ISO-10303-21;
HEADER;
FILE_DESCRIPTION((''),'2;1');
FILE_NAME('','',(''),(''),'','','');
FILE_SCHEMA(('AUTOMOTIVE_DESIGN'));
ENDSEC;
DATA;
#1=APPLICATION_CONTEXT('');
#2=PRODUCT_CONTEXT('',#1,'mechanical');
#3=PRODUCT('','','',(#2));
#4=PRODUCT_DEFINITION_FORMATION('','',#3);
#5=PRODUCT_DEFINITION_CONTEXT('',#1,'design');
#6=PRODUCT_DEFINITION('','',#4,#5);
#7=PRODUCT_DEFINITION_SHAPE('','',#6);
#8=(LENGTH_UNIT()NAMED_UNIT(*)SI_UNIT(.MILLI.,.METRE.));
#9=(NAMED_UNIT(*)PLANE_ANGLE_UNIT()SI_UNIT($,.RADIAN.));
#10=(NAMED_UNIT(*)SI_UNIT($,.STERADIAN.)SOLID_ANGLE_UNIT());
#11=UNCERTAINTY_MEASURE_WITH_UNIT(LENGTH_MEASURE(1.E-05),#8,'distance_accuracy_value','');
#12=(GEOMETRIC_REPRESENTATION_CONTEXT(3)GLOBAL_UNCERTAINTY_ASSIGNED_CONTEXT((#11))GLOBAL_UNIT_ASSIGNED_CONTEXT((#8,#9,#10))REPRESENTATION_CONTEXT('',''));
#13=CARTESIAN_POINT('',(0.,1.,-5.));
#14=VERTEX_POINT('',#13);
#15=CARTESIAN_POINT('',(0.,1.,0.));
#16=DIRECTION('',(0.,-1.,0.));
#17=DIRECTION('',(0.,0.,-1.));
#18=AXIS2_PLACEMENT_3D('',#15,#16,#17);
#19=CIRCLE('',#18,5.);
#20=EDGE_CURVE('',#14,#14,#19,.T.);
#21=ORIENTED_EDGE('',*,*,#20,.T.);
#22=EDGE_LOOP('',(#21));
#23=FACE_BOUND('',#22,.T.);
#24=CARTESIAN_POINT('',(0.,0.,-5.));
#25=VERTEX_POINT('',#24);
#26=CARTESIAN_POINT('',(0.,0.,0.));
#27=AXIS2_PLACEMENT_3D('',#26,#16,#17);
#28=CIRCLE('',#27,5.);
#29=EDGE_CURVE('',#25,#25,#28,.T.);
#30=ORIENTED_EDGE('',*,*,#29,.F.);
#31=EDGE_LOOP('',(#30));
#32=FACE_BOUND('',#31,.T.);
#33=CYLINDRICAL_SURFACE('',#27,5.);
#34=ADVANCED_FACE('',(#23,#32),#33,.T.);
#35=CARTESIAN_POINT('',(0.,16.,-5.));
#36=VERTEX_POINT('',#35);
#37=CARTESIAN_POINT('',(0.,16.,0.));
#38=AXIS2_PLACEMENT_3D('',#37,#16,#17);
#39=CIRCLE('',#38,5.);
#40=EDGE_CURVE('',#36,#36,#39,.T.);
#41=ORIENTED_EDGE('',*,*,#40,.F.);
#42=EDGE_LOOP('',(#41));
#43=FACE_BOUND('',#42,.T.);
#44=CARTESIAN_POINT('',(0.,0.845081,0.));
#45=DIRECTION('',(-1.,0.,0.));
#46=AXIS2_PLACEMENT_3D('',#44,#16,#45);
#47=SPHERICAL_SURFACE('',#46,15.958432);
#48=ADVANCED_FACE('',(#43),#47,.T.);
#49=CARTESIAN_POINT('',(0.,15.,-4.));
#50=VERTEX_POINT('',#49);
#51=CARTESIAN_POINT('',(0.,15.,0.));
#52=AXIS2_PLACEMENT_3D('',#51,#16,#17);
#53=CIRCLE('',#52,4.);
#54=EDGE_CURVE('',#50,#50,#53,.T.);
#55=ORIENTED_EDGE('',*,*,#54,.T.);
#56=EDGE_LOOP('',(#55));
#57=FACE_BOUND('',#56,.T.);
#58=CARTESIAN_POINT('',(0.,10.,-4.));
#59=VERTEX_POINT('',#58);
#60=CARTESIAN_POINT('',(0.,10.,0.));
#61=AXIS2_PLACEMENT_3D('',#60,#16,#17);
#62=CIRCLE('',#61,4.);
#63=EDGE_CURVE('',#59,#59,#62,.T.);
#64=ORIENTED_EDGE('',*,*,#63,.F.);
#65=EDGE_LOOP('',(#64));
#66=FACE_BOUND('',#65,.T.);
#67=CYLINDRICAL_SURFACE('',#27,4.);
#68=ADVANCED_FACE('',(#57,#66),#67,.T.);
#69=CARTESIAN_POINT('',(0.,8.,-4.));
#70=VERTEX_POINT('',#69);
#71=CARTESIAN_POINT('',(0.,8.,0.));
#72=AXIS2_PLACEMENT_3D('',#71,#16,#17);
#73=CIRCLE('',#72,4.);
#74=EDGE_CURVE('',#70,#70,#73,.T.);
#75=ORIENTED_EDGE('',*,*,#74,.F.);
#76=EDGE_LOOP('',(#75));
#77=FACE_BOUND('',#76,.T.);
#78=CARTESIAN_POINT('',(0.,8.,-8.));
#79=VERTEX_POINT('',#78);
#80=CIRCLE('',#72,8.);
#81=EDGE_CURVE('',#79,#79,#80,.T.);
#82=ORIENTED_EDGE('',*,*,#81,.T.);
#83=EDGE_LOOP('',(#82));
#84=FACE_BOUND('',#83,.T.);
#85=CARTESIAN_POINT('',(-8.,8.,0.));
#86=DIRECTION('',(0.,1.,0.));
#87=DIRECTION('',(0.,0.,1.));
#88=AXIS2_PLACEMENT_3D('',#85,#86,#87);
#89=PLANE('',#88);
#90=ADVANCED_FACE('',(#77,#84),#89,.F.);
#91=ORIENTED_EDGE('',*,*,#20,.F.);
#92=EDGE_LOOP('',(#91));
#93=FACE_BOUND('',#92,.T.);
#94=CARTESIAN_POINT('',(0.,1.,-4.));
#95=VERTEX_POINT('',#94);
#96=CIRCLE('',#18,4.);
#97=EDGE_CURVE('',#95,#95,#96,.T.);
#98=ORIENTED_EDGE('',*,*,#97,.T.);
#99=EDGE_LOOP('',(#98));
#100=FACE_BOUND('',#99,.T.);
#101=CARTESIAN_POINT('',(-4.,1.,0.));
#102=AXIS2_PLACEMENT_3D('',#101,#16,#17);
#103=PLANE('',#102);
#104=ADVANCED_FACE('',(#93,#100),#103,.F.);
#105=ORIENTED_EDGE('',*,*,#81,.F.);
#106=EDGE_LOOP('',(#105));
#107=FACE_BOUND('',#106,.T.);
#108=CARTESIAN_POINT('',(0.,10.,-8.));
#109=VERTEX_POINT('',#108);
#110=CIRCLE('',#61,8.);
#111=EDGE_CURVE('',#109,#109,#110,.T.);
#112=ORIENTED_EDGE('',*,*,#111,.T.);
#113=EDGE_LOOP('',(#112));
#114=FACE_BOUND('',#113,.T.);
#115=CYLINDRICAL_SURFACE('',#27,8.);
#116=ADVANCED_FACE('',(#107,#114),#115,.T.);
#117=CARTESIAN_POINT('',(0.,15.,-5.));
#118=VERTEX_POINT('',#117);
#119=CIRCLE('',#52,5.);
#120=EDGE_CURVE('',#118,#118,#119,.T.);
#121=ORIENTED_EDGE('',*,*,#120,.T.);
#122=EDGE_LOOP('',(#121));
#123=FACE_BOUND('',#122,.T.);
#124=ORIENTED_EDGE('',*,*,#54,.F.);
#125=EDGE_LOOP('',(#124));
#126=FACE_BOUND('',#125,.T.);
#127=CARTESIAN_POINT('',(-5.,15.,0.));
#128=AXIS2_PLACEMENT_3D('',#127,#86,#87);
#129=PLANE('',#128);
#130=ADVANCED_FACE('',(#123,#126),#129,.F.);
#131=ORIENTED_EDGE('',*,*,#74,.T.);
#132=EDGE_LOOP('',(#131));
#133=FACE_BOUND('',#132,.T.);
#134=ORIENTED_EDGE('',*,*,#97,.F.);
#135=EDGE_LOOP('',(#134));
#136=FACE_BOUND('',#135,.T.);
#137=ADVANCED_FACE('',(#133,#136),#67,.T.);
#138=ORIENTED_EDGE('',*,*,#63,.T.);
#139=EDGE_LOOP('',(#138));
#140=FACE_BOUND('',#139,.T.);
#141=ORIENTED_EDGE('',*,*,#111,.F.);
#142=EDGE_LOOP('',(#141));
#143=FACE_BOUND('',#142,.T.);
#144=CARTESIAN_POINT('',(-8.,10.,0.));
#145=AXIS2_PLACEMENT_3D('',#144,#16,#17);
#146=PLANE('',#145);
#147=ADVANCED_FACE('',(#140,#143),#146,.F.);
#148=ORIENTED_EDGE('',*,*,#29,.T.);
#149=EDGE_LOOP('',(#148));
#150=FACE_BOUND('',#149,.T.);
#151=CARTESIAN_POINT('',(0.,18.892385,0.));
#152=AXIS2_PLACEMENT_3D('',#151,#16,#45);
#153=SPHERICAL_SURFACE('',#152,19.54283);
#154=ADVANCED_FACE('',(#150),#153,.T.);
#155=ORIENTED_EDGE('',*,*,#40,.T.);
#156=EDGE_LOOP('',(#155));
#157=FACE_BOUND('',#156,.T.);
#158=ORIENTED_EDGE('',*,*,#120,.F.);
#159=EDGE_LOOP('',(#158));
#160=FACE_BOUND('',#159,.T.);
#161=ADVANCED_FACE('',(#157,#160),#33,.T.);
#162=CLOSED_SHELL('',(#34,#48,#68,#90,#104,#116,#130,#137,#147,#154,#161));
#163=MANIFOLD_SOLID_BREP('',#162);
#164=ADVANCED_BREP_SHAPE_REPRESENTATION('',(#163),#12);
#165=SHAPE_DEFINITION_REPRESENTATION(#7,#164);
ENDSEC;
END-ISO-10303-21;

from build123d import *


with BuildPart() as part:
    # Esquisse1 → Base-Révolution (revolve)
    with BuildSketch(Plane.XY, mode=Mode.PRIVATE) as base_r_volution_sk:
        with BuildLine():
            Line((0, 0), (0, -0.650445183))
            ThreePointArc((0, -0.650445183), (-2.521065198, -0.487151674), (-5, 0))
            Line((-5, 0), (-5, 1))
            Line((-5, 1), (-4, 1))
            Line((-4, 1), (-4, 8))
            Line((-4, 8), (-8, 8))
            Line((-8, 8), (-8, 10))
            Line((-8, 10), (-4, 10))
            Line((-4, 10), (-4, 15))
            Line((-4, 15), (-5, 15))
            Line((-5, 15), (-5, 16))
            ThreePointArc((-5, 16), (-2.53207593, 16.601354724), (0, 16.803513576))
            Line((0, 16.803513576), (0, 16))
            Line((0, 16), (0, 0))
        make_face()
    revolve(base_r_volution_sk.sketch.rotate(Axis((0, 0, 0), (0, 1, 0)), 270), axis=Axis((0, 0, 0), (0, 1, 0)))


solid = part.part
